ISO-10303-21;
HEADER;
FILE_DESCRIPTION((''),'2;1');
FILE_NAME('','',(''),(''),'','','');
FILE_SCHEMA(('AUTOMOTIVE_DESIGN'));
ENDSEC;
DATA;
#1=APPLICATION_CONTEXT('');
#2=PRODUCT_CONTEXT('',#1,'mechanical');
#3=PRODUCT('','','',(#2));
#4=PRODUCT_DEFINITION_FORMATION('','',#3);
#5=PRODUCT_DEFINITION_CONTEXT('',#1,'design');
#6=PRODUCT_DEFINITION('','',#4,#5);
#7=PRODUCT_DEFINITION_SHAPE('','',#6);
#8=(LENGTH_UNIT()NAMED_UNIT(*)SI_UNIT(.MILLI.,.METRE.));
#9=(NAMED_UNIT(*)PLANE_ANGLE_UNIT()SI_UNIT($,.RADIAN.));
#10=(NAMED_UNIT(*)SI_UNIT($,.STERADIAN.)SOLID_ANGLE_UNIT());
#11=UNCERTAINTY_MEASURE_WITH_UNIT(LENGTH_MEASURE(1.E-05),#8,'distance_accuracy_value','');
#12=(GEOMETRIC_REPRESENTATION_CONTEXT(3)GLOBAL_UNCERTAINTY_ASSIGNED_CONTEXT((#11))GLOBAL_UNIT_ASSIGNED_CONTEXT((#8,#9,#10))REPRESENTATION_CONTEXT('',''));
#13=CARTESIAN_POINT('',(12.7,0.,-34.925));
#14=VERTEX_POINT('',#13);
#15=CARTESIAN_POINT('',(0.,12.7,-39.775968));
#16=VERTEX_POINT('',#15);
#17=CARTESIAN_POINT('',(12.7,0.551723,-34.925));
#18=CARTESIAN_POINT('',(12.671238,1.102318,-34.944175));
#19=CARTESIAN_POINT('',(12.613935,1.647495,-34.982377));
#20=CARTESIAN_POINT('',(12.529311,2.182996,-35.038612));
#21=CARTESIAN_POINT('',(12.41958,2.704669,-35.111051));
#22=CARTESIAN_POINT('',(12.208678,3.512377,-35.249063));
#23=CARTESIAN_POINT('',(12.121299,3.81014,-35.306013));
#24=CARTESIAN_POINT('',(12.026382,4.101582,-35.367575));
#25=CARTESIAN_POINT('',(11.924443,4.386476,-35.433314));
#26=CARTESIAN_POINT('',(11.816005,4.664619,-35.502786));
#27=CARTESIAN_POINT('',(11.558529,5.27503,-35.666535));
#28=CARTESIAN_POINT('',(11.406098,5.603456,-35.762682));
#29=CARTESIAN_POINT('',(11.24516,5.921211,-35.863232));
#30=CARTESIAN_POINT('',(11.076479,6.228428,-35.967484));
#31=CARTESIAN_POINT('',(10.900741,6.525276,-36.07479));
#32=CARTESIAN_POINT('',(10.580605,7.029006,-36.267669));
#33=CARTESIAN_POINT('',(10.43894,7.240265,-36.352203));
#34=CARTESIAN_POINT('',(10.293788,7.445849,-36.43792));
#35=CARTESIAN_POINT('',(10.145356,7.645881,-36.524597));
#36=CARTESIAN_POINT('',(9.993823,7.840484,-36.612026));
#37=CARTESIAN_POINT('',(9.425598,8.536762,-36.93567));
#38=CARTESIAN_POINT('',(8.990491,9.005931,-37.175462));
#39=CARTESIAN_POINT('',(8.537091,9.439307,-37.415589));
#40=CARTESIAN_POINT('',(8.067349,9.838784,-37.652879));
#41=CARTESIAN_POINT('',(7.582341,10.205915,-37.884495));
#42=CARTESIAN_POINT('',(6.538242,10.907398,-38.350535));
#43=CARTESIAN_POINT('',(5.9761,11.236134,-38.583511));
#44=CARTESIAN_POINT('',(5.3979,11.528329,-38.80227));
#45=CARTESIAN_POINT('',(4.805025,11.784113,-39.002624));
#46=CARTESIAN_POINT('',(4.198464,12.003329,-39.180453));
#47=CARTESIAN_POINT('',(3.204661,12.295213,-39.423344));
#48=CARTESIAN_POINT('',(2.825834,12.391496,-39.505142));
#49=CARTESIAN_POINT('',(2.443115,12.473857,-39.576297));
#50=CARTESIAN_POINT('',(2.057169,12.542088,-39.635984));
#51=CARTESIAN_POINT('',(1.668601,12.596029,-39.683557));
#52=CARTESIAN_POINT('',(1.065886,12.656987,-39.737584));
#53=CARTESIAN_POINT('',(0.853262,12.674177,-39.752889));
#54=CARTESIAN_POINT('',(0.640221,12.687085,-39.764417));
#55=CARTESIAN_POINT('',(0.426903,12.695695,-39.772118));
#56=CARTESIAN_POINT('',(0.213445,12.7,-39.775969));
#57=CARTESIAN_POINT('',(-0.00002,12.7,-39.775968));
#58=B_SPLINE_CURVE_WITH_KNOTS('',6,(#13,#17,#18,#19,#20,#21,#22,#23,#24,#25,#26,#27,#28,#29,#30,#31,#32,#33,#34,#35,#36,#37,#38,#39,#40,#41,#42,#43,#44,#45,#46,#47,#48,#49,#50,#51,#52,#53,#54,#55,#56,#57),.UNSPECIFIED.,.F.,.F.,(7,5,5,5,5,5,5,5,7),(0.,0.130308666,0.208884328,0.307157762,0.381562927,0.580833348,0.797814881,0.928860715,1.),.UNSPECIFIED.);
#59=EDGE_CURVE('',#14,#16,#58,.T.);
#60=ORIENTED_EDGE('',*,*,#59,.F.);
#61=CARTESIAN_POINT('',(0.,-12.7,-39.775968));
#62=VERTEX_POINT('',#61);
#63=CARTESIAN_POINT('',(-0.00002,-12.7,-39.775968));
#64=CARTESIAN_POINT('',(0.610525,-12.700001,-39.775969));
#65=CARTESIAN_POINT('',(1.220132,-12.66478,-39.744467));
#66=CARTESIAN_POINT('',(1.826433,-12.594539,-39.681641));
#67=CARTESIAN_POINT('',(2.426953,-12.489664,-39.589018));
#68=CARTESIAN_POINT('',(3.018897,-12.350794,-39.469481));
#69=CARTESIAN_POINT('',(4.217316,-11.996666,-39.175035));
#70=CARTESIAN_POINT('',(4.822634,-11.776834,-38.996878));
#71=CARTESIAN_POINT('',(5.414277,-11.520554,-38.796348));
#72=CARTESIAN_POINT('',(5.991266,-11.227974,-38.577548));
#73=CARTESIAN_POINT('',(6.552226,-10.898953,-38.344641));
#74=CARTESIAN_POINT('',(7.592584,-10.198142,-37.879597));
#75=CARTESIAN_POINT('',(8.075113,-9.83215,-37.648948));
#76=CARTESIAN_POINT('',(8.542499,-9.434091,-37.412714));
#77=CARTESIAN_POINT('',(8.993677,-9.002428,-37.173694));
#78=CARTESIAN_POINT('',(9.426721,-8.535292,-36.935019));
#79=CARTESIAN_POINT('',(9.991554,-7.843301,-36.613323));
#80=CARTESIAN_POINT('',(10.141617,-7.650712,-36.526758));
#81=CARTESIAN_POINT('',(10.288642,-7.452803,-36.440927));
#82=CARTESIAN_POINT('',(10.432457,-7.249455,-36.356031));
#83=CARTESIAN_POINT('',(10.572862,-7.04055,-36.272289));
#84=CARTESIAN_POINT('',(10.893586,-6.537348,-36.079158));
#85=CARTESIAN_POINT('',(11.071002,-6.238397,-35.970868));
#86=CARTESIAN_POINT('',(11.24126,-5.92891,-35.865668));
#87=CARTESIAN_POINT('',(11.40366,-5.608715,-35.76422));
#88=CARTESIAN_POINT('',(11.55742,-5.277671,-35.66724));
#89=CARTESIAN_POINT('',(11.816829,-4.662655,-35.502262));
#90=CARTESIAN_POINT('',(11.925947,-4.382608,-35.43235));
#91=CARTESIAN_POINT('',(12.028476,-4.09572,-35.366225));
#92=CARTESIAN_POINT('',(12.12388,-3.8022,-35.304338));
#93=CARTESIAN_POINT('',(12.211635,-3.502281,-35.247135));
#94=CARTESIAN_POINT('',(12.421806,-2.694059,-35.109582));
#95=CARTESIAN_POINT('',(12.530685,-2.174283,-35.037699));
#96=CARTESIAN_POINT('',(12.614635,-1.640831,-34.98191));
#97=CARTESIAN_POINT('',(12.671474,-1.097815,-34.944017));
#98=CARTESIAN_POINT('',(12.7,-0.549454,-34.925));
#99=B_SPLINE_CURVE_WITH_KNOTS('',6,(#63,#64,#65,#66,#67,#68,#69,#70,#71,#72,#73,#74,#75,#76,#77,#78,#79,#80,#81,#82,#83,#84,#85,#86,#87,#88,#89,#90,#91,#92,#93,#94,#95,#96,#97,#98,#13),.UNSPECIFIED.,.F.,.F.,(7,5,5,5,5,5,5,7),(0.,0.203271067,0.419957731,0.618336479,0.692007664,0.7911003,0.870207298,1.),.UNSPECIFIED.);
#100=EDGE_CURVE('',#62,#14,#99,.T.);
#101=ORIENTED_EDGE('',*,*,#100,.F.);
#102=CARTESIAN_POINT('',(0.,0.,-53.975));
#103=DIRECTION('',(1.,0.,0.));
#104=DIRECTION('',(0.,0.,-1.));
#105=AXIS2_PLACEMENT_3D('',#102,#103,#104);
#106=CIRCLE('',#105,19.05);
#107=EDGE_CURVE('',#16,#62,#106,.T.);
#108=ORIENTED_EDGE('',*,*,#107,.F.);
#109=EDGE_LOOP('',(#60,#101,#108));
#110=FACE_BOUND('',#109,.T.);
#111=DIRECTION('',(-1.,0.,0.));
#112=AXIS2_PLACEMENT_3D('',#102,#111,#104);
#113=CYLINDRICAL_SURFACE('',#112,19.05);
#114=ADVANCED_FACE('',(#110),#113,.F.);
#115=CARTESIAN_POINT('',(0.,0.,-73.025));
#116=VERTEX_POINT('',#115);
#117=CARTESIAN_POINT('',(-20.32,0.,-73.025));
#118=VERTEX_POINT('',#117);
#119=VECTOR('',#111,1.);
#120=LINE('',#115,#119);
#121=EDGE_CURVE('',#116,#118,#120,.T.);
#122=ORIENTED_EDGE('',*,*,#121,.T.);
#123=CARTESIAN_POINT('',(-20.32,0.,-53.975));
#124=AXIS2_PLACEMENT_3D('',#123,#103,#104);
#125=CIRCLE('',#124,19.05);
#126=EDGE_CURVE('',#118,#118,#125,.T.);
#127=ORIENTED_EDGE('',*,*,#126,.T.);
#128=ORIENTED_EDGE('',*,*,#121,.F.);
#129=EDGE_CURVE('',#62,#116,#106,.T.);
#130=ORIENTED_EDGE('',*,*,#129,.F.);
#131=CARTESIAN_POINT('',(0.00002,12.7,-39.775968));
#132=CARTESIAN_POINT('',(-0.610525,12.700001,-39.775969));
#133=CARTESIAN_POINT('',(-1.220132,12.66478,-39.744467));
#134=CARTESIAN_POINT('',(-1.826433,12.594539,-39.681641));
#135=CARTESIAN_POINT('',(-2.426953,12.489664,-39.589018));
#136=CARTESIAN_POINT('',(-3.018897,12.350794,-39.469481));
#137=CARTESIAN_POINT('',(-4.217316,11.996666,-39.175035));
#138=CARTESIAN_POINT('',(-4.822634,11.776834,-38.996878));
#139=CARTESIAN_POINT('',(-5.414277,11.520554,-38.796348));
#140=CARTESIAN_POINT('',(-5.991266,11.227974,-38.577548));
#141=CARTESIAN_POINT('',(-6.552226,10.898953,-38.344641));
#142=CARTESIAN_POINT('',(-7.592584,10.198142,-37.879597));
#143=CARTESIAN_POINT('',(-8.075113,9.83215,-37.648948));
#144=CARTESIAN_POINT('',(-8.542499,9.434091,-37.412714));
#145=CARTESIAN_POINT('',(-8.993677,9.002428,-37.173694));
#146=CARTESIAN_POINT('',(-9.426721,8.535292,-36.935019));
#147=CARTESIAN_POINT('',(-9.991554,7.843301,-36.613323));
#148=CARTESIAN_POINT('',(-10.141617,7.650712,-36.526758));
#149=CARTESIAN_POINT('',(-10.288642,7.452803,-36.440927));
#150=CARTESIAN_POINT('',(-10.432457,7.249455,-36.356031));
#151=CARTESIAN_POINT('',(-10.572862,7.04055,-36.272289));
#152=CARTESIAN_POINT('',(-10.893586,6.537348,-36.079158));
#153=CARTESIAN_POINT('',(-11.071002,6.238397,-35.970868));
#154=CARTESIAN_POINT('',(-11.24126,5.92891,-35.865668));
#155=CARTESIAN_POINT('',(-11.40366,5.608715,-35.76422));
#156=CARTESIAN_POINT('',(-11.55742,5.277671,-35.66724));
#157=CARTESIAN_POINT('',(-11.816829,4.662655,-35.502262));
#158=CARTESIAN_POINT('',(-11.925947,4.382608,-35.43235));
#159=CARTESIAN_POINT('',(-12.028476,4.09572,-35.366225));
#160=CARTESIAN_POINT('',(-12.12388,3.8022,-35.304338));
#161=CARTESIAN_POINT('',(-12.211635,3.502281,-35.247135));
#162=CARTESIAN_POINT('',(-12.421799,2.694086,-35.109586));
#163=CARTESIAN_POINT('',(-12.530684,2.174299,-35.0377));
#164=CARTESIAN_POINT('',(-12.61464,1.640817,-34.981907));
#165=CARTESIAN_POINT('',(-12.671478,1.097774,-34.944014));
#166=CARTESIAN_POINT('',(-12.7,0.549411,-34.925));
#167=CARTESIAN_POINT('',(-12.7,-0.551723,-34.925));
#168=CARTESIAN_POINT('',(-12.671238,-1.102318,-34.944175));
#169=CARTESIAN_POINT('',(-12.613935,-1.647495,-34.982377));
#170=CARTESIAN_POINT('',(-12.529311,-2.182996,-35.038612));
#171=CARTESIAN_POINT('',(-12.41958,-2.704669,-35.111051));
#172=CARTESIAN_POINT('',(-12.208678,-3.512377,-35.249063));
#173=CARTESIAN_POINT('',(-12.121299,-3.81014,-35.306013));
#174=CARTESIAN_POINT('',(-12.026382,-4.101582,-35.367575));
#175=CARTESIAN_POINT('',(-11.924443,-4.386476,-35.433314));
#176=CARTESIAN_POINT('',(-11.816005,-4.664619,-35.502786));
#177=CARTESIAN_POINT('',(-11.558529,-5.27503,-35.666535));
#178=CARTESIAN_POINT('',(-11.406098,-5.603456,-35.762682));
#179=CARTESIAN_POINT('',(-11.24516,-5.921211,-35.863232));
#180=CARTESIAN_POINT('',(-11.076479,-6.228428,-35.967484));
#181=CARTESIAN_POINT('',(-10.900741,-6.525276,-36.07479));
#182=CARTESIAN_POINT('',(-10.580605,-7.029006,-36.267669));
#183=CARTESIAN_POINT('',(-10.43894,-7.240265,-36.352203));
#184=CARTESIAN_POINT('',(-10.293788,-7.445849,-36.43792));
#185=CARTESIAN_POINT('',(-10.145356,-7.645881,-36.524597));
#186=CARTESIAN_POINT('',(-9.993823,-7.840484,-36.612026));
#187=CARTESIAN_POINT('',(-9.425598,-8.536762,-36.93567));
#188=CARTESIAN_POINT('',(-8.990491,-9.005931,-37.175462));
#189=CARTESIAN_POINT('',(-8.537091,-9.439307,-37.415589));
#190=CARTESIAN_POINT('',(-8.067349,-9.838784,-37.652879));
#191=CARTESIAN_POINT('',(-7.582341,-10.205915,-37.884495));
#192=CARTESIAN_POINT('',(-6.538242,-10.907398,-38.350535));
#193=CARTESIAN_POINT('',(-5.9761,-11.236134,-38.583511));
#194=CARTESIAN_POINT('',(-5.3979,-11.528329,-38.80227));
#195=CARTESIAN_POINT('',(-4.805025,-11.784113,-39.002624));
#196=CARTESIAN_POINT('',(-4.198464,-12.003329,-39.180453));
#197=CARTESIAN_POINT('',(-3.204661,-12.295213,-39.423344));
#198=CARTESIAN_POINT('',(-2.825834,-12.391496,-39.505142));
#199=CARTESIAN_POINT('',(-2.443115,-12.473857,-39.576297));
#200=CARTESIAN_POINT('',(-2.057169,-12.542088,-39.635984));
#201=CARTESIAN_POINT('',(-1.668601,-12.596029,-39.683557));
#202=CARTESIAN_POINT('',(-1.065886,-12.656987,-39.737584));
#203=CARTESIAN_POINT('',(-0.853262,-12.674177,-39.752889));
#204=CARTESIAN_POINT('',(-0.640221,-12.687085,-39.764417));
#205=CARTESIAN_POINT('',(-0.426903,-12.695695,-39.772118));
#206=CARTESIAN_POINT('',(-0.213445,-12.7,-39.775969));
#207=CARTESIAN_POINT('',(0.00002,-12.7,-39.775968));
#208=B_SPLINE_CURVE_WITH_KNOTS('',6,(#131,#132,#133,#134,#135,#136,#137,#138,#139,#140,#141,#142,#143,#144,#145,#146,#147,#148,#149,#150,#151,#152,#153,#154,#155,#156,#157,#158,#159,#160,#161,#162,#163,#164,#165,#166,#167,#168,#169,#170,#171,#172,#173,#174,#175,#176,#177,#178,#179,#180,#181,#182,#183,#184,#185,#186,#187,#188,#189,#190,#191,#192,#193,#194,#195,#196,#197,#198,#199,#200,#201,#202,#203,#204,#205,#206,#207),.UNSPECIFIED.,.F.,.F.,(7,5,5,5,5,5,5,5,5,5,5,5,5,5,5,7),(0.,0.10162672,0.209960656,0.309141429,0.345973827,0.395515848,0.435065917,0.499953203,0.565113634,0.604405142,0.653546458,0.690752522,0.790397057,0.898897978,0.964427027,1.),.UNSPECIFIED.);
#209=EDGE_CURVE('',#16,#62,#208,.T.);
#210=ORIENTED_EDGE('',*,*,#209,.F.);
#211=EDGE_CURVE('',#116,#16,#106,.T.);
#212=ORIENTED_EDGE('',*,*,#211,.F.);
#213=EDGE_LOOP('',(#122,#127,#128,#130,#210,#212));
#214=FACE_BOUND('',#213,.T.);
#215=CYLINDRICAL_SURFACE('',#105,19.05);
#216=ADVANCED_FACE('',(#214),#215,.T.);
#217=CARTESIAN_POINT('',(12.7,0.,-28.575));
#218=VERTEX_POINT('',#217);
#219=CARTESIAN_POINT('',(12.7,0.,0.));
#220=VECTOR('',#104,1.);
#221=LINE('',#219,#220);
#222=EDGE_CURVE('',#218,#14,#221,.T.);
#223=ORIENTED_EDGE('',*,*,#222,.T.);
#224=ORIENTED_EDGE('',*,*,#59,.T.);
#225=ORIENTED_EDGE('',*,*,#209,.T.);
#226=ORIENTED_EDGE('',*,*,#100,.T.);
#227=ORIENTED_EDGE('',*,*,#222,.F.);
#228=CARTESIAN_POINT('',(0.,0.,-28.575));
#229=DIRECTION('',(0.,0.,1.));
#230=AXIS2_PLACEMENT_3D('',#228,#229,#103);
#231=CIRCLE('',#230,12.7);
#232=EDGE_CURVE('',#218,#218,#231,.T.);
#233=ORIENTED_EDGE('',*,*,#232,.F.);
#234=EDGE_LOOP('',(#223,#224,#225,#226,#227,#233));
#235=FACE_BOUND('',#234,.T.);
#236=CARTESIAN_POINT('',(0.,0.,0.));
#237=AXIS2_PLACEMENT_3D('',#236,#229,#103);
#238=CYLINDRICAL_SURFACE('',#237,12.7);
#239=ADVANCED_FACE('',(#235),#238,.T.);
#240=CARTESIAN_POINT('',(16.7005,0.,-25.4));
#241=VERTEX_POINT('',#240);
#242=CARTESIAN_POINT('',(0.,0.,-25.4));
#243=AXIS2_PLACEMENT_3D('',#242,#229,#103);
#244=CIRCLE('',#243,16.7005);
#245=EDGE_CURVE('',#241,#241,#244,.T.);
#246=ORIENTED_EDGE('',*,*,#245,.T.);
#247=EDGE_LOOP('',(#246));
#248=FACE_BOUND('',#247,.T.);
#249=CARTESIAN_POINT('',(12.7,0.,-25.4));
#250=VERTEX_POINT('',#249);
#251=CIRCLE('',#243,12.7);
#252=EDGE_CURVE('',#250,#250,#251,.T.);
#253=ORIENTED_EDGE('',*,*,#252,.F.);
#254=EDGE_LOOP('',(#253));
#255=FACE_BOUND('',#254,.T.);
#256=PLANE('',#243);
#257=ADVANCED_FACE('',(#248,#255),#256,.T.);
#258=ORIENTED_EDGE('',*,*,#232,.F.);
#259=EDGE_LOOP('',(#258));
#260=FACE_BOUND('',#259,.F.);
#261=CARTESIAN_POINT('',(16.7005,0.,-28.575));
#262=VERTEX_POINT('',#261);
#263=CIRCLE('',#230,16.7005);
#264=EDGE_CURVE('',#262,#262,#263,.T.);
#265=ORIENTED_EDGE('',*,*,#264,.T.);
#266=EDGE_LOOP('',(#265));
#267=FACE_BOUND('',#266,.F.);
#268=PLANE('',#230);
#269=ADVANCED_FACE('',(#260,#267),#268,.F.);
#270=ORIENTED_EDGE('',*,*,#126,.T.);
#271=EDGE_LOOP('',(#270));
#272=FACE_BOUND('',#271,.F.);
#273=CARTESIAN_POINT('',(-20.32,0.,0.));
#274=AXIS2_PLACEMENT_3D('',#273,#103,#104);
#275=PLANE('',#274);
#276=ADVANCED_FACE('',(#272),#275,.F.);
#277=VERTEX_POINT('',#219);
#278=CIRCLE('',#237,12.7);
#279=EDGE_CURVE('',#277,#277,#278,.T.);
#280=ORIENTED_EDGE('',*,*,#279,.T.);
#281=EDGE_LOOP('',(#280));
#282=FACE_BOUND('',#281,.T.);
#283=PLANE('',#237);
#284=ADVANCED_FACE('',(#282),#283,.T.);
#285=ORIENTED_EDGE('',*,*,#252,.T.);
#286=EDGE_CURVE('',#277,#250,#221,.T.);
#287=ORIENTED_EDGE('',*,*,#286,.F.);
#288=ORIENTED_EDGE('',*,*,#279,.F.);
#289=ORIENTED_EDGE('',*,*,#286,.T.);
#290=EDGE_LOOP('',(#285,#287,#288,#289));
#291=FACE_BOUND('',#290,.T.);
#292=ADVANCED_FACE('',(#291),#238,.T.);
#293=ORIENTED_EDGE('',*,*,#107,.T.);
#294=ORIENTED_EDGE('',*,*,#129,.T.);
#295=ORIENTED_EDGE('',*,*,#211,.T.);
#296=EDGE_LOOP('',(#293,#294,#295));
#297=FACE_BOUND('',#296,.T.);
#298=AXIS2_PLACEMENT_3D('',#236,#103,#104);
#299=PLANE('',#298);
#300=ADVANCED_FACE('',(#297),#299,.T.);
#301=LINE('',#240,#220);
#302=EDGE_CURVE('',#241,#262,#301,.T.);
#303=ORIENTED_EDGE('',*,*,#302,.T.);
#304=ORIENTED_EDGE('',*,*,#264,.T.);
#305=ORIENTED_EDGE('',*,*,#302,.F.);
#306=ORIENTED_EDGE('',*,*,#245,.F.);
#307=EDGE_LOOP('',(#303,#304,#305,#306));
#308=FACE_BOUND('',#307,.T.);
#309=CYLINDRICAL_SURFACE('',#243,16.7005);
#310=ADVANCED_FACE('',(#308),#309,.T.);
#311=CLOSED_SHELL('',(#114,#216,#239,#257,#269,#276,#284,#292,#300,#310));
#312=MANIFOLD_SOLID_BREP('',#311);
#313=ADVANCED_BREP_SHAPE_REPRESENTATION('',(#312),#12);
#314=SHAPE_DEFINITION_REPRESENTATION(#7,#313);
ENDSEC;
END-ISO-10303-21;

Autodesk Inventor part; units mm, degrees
ref_plane "YZ Plane" through (0, 0, 0) normal (1, 0, 0) x (0, 1, 0)
ref_plane "XZ Plane" through (0, 0, 0) normal (0, 1, 0) x (-1, 0, 0)
sketch "Sketch1" plane through (0, 0, 0) normal (0, 0, 1) x (1, 0, 0)
  circle A0 centre (0, 0) radius 12.7
  circle A1 centre (0, 0) radius 16.7005
  dimension "d0" = 25.4
  dimension "d1" = 33.401
extrude "Extrusion1" add sketch "Sketch1" against normal blind 53.975 contours A0
ref_plane "Work Plane1" through (0, 0, -25.4) normal (0, 0, 1) x (1, 0, 0)
sketch "Sketch3" plane through (0, 0, -25.4) normal (0, 0, 1) x (1, 0, 0)
  circle A0 centre (0, 0) radius 16.7005
  dimension "d6" = 33.401
extrude "Extrusion2" add sketch "Sketch3" against normal blind 3.175
sketch "Sketch4" plane through (0, 0, -53.975) normal (0, 0, -1) x (-1, 0, 0)
  line L0 (0, 0) -> (0, 16.7005)
  circle A0 centre (0, 0) radius 16.7005 projected
ref_plane "Work Plane2" through (0, 0, 0) normal (1, 0, 0) x (0, 0, -1)
sketch "Sketch5" plane through (0, 0, 0) normal (1, 0, 0) x (0, 0, -1)
  line L0 (53.975, -12.7) -> (53.975, 12.7) projected
  circle A0 centre (53.975, 0) radius 19.05
  point P0 (0, 0)
  dimension "d9" = 38.1
extrude "Extrusion3" cut sketch "Sketch5" along normal blind 12.7
extrude "Extrusion4" add sketch "Sketch5" against normal blind 20.32
properties part number "Adjustable elbow piece 1 inch"
